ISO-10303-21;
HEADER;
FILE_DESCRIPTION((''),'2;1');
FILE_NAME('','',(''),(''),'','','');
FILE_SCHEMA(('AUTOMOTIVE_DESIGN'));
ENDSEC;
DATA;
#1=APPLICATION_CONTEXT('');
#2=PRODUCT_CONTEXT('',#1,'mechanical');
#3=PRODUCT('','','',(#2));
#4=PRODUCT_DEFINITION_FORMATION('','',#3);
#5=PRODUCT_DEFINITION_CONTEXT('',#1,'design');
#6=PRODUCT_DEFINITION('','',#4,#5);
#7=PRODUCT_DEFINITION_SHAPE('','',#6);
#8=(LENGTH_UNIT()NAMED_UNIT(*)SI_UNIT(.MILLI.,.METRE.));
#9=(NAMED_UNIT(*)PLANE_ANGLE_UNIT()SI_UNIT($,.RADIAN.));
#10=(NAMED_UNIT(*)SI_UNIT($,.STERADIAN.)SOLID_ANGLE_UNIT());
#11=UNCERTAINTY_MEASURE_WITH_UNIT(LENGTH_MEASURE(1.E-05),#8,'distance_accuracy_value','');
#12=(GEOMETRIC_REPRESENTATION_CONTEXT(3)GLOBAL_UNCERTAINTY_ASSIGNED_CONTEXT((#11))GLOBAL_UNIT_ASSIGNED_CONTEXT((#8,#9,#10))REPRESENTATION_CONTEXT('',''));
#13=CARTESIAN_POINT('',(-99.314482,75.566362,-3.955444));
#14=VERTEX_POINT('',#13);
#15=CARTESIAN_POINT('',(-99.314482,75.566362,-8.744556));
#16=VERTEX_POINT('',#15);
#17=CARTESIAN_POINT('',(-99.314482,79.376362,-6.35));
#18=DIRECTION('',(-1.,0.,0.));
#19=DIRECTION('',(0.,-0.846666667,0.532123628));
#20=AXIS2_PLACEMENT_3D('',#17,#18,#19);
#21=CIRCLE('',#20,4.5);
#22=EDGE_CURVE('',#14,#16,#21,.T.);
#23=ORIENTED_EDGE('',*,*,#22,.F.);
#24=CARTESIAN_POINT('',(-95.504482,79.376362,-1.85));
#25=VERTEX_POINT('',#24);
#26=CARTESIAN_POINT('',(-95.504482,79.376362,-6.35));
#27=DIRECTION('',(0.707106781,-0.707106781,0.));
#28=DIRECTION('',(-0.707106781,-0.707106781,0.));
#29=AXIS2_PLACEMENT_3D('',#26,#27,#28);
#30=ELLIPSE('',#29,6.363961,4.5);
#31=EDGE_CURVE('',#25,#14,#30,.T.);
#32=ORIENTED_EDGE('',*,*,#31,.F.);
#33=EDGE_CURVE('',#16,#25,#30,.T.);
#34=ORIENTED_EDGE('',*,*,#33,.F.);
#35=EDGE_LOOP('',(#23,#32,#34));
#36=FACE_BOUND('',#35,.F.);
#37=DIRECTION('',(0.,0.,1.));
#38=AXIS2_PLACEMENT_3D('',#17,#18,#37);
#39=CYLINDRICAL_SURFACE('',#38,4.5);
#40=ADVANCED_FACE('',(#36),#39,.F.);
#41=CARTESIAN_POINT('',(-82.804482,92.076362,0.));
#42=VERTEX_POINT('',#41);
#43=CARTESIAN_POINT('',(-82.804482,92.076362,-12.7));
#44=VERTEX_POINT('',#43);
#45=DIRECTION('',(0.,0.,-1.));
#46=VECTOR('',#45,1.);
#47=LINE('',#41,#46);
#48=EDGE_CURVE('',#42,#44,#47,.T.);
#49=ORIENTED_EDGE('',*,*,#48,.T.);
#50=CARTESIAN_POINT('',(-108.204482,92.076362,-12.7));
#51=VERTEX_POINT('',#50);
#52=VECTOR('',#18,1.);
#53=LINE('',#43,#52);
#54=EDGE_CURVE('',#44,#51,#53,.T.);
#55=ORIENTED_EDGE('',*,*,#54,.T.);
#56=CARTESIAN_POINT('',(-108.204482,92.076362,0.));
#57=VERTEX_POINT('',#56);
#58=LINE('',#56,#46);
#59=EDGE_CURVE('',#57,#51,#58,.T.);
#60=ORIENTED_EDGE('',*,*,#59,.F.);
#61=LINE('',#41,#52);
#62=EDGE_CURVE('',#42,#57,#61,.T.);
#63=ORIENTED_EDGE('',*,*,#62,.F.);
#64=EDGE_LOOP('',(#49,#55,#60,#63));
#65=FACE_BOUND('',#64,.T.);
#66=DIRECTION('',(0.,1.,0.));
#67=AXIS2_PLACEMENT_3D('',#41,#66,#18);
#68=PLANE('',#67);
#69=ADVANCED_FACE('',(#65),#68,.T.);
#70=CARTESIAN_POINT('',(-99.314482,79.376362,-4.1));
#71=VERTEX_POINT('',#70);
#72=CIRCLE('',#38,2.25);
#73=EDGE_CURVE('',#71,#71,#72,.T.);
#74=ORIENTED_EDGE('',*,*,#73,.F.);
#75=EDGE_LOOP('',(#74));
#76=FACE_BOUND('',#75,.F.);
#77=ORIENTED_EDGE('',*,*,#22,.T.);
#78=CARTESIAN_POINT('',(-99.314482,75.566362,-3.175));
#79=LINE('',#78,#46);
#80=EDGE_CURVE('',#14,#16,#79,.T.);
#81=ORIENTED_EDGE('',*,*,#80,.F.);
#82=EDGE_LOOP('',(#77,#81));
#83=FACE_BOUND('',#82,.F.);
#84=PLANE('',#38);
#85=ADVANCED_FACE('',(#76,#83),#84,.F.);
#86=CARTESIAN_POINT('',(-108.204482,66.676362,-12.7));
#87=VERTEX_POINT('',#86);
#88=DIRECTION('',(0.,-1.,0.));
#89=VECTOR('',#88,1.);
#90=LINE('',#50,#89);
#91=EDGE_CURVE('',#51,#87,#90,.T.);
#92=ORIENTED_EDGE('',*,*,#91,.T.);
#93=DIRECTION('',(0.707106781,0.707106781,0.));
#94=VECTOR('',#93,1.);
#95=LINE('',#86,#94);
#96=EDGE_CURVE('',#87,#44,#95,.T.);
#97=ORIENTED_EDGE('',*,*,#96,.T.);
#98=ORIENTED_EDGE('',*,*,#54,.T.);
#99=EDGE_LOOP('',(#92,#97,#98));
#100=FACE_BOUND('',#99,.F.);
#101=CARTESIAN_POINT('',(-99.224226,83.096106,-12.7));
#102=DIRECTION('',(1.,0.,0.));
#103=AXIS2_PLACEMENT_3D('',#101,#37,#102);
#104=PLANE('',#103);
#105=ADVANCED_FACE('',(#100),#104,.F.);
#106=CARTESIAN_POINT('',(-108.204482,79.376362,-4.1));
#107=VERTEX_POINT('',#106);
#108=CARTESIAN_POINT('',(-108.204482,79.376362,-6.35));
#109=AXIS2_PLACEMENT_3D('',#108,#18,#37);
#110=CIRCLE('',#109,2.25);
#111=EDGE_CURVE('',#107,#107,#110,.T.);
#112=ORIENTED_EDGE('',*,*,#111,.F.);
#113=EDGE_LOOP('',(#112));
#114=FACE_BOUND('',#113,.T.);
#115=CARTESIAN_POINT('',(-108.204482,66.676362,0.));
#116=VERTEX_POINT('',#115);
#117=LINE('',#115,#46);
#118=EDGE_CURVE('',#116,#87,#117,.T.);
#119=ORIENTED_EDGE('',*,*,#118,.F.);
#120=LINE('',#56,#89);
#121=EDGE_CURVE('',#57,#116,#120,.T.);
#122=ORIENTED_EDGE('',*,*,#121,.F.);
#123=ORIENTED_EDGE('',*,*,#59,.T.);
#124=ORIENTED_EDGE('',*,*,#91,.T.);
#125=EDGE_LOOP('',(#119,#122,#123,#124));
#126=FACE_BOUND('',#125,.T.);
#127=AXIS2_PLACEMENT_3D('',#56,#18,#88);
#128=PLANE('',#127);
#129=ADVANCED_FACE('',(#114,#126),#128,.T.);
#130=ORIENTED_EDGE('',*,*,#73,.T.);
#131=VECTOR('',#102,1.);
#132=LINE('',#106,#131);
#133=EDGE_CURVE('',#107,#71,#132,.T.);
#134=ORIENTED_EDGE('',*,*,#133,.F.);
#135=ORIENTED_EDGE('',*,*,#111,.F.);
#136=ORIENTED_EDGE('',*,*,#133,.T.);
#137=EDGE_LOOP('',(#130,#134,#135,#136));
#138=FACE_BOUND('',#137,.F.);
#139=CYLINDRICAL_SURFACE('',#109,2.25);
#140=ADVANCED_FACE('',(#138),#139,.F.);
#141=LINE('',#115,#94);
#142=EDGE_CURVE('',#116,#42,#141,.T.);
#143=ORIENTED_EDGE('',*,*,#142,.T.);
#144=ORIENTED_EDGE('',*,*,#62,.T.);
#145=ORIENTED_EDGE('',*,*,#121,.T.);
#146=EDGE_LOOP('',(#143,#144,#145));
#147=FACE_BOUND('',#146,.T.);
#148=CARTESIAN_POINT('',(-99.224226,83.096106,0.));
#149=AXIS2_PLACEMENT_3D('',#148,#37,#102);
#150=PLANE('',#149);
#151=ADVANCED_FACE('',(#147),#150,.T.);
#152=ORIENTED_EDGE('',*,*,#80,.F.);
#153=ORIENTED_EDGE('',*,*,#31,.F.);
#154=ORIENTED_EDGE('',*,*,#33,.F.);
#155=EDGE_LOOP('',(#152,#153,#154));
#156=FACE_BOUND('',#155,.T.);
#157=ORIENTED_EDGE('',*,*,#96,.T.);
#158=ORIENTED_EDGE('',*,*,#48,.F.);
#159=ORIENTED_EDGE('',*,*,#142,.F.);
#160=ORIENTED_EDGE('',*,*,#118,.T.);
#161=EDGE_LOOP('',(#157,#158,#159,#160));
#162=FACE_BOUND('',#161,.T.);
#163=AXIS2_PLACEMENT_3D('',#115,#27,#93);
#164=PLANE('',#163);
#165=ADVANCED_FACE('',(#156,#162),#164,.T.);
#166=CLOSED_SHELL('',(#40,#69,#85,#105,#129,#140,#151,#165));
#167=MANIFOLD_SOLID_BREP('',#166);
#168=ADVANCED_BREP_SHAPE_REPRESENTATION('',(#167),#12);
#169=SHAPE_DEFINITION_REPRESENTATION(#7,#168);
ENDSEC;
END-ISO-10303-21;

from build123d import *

# Parameters (mm, degrees)
BOSS_EXTRUDE2_DEPTH = 12.7
SKETCH5_R           = 2.25
CUT_EXTRUDE1_DEPTH  = 26.4
SKETCH6_R           = 4.5
CUT_EXTRUDE2_DEPTH  = 17.51


with BuildPart() as part:
    # xs → Boss-Extrude2 (new body)
    with BuildSketch(Plane.XY):
        Polygon((-108.204482014, 92.076361751), (-108.204482014, 66.676361751), (-82.804482014, 92.076361751), align=None)
    extrude(amount=-BOSS_EXTRUDE2_DEPTH)

    # Sketch5 → Cut-Extrude1 (cut, through all)
    with BuildSketch(Plane.ZY.offset(108.204482014)):
        with Locations((-6.35, 79.376361751)):
            Circle(SKETCH5_R)
    extrude(amount=-CUT_EXTRUDE1_DEPTH, mode=Mode.SUBTRACT)

    # Sketch6 → Cut-Extrude2 (cut, through all)
    with BuildSketch(Plane.ZY.offset(99.314482014)):
        with Locations((-6.35, 79.376361751)):
            Circle(SKETCH6_R)
    extrude(amount=-CUT_EXTRUDE2_DEPTH, mode=Mode.SUBTRACT)


solid = part.part
